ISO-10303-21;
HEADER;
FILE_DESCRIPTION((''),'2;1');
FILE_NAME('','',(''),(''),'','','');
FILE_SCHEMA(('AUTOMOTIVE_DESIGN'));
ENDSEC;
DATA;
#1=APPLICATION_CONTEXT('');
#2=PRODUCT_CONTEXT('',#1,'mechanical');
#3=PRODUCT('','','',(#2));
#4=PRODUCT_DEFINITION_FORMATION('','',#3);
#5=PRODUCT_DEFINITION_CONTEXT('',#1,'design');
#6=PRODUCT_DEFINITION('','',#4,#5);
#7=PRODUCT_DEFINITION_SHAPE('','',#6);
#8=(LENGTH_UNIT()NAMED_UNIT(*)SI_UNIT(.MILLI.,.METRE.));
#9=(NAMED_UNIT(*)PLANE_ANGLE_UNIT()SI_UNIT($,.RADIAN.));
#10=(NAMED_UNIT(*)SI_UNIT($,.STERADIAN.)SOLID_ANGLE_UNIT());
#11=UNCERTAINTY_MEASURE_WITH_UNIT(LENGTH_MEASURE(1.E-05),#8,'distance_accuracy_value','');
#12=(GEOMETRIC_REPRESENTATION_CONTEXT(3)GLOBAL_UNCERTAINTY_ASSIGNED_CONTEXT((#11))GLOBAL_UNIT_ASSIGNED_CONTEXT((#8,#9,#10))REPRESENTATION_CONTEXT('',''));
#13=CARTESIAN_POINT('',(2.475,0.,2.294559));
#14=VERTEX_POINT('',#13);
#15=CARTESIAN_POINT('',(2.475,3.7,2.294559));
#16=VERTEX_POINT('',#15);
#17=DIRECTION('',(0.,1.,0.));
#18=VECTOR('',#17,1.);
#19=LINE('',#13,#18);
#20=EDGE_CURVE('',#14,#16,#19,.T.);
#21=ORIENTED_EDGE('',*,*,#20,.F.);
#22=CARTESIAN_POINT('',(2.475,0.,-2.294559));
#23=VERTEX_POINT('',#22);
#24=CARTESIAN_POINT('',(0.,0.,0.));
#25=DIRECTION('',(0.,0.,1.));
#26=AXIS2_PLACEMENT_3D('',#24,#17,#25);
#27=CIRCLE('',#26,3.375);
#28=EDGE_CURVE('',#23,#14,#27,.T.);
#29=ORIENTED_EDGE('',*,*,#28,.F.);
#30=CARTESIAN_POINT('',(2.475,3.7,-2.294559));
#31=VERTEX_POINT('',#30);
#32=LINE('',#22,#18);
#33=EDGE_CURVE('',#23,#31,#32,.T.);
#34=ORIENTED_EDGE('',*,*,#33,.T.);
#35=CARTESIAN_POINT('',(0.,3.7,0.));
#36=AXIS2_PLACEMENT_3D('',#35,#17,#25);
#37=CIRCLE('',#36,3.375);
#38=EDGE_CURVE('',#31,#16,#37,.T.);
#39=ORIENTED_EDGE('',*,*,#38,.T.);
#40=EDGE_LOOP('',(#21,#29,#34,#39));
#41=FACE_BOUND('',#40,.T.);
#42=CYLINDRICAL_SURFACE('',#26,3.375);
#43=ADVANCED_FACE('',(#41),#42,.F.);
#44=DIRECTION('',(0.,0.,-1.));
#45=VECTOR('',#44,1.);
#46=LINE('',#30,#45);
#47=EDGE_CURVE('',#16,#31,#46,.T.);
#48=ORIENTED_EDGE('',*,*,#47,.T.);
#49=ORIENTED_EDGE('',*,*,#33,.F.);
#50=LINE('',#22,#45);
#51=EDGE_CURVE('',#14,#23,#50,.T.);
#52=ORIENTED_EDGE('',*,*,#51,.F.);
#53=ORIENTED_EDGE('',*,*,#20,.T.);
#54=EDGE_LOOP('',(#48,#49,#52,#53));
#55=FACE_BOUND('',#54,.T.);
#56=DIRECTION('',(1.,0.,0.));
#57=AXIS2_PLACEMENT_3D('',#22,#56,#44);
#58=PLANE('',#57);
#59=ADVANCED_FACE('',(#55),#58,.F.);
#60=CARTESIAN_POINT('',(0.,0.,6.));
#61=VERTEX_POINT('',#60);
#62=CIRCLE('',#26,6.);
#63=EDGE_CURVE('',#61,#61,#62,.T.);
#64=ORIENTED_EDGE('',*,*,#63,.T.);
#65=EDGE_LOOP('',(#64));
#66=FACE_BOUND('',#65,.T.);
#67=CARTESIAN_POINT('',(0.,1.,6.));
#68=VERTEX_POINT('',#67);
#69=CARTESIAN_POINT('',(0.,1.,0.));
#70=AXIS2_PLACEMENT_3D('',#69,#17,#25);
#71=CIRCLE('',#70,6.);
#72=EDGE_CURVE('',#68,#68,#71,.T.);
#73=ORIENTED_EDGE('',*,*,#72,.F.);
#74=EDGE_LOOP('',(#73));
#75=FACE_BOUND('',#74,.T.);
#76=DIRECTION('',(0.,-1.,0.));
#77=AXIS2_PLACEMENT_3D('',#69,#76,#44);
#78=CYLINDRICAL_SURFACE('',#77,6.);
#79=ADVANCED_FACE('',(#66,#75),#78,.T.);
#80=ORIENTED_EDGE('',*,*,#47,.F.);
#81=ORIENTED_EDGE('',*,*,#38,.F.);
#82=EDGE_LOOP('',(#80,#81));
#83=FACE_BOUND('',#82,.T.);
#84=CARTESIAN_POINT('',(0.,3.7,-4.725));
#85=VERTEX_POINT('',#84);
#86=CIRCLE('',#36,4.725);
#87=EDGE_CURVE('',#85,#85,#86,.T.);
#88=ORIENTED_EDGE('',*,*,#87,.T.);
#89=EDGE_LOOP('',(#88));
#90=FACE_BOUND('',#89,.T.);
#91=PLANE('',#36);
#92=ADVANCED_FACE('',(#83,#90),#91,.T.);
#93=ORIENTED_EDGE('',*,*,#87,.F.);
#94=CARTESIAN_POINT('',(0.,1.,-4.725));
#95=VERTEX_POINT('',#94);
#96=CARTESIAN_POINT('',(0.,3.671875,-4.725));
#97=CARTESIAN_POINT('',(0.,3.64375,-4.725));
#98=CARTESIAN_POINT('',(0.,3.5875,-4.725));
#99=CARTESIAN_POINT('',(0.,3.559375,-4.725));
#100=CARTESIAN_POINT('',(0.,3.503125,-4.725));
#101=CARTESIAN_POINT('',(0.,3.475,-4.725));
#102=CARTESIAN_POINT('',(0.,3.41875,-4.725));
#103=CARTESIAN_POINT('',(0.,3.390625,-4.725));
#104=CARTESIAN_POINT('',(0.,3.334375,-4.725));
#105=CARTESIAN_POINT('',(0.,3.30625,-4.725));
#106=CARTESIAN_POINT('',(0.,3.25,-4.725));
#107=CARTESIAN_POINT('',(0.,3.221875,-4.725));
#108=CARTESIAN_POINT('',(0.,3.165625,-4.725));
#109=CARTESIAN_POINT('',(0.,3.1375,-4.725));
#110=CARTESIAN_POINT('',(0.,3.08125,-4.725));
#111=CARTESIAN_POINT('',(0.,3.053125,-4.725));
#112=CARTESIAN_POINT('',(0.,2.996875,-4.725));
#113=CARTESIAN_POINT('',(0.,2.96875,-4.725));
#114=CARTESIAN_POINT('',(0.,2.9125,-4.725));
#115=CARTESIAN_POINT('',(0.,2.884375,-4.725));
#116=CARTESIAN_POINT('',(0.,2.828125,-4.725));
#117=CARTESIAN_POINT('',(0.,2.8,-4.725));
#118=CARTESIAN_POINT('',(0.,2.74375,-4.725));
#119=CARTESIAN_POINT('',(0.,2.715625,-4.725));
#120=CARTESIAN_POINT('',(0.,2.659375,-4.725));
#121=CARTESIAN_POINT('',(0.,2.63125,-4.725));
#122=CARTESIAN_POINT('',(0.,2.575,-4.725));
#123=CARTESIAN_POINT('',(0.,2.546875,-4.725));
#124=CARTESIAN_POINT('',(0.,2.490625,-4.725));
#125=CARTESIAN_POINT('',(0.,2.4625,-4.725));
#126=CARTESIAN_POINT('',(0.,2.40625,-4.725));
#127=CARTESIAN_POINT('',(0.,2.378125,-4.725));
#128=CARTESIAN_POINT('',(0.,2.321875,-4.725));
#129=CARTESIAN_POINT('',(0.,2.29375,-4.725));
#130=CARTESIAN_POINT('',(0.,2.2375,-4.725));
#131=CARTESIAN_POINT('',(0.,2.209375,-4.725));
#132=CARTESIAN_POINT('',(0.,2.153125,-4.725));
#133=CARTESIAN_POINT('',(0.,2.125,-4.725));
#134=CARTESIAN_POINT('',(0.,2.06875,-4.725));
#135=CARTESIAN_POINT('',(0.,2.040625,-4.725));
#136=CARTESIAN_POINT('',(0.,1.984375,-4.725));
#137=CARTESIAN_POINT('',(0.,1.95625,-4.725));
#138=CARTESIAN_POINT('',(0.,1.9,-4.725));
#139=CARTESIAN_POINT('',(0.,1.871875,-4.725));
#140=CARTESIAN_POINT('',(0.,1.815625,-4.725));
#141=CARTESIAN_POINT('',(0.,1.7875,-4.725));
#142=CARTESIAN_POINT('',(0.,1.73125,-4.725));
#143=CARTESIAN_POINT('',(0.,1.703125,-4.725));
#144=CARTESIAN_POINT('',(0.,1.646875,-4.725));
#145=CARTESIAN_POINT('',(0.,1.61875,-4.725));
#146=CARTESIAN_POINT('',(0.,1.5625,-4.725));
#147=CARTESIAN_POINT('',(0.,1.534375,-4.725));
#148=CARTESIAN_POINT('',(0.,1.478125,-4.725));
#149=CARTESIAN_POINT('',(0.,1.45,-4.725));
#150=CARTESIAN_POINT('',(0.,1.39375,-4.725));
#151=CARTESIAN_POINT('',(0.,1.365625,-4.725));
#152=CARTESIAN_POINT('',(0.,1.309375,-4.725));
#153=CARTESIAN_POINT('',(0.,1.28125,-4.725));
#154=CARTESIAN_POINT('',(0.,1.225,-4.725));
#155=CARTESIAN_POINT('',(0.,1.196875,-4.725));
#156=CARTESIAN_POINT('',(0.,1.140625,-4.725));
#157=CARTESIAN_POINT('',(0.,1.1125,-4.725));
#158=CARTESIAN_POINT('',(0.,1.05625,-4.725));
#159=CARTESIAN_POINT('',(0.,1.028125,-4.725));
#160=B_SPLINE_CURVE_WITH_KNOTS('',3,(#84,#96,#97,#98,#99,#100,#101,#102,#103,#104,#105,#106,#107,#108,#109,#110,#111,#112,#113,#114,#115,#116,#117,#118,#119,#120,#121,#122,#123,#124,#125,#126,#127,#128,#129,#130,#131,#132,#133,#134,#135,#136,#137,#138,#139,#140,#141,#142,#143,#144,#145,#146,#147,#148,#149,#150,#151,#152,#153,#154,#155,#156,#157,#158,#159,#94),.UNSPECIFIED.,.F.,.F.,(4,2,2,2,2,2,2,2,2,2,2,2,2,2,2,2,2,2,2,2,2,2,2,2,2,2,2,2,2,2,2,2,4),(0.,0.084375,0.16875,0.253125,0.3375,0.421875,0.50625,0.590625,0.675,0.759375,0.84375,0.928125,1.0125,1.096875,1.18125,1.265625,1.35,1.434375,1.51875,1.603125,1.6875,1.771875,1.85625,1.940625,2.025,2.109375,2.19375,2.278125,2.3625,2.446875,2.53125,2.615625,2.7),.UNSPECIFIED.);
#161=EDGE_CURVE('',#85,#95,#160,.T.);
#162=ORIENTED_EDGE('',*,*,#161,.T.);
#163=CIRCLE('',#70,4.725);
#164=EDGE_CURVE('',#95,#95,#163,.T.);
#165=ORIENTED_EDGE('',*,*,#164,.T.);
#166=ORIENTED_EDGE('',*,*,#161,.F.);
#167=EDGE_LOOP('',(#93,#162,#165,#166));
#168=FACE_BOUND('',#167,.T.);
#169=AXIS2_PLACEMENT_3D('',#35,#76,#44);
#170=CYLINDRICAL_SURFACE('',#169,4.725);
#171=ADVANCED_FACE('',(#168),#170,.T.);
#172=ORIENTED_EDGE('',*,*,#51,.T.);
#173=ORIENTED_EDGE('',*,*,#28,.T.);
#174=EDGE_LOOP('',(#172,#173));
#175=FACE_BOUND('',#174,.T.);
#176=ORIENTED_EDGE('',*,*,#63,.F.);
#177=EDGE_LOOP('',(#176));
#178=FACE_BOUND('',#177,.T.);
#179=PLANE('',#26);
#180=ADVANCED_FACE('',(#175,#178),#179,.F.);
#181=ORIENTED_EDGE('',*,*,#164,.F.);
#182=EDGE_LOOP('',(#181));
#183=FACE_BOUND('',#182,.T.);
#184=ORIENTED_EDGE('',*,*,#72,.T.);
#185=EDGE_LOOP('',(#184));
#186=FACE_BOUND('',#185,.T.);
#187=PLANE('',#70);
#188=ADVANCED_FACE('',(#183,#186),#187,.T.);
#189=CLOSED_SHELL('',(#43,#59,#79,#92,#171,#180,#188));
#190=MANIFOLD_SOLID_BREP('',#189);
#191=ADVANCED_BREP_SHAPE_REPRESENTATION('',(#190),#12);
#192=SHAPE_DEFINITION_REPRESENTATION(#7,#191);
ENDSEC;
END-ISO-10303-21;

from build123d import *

# Parameters (mm, degrees)
SKETCH1_R           = 6
BOSS_EXTRUDE1_DEPTH = 1
SKETCH2_R           = 4.725
BOSS_EXTRUDE2_DEPTH = 2.7
CUT_EXTRUDE1_DEPTH  = 10.256889326


with BuildPart() as part:
    # Sketch1 → Boss-Extrude1 (new body)
    with BuildSketch(Plane(origin=(0, 0, 0), x_dir=(1, 0, 0), z_dir=(0, 1, 0))):
        with Locations(Location((0, 0, 0), (0, 0, 270))):
            Circle(SKETCH1_R)
    extrude(amount=BOSS_EXTRUDE1_DEPTH)

    # Sketch2 → Boss-Extrude2 (add)
    with BuildSketch(Plane(origin=(0, 1, 0), x_dir=(1, 0, 0), z_dir=(0, 1, 0))):
        with Locations(Location((0, 0, 0), (0, 0, 90))):
            Circle(SKETCH2_R)
    extrude(amount=BOSS_EXTRUDE2_DEPTH)

    # Sketch3 → Cut-Extrude1 (cut, through all)
    with BuildSketch(Plane(origin=(0, 3.7, 0), x_dir=(1, 0, 0), z_dir=(0, 1, 0))):
        with BuildLine():
            Line((2.475, 2.294558781), (2.475, -2.294558781))
            ThreePointArc((2.475, -2.294558781), (-3.375, 0), (2.475, 2.294558781))
        make_face()
    extrude(amount=-CUT_EXTRUDE1_DEPTH, mode=Mode.SUBTRACT)


solid = part.part
